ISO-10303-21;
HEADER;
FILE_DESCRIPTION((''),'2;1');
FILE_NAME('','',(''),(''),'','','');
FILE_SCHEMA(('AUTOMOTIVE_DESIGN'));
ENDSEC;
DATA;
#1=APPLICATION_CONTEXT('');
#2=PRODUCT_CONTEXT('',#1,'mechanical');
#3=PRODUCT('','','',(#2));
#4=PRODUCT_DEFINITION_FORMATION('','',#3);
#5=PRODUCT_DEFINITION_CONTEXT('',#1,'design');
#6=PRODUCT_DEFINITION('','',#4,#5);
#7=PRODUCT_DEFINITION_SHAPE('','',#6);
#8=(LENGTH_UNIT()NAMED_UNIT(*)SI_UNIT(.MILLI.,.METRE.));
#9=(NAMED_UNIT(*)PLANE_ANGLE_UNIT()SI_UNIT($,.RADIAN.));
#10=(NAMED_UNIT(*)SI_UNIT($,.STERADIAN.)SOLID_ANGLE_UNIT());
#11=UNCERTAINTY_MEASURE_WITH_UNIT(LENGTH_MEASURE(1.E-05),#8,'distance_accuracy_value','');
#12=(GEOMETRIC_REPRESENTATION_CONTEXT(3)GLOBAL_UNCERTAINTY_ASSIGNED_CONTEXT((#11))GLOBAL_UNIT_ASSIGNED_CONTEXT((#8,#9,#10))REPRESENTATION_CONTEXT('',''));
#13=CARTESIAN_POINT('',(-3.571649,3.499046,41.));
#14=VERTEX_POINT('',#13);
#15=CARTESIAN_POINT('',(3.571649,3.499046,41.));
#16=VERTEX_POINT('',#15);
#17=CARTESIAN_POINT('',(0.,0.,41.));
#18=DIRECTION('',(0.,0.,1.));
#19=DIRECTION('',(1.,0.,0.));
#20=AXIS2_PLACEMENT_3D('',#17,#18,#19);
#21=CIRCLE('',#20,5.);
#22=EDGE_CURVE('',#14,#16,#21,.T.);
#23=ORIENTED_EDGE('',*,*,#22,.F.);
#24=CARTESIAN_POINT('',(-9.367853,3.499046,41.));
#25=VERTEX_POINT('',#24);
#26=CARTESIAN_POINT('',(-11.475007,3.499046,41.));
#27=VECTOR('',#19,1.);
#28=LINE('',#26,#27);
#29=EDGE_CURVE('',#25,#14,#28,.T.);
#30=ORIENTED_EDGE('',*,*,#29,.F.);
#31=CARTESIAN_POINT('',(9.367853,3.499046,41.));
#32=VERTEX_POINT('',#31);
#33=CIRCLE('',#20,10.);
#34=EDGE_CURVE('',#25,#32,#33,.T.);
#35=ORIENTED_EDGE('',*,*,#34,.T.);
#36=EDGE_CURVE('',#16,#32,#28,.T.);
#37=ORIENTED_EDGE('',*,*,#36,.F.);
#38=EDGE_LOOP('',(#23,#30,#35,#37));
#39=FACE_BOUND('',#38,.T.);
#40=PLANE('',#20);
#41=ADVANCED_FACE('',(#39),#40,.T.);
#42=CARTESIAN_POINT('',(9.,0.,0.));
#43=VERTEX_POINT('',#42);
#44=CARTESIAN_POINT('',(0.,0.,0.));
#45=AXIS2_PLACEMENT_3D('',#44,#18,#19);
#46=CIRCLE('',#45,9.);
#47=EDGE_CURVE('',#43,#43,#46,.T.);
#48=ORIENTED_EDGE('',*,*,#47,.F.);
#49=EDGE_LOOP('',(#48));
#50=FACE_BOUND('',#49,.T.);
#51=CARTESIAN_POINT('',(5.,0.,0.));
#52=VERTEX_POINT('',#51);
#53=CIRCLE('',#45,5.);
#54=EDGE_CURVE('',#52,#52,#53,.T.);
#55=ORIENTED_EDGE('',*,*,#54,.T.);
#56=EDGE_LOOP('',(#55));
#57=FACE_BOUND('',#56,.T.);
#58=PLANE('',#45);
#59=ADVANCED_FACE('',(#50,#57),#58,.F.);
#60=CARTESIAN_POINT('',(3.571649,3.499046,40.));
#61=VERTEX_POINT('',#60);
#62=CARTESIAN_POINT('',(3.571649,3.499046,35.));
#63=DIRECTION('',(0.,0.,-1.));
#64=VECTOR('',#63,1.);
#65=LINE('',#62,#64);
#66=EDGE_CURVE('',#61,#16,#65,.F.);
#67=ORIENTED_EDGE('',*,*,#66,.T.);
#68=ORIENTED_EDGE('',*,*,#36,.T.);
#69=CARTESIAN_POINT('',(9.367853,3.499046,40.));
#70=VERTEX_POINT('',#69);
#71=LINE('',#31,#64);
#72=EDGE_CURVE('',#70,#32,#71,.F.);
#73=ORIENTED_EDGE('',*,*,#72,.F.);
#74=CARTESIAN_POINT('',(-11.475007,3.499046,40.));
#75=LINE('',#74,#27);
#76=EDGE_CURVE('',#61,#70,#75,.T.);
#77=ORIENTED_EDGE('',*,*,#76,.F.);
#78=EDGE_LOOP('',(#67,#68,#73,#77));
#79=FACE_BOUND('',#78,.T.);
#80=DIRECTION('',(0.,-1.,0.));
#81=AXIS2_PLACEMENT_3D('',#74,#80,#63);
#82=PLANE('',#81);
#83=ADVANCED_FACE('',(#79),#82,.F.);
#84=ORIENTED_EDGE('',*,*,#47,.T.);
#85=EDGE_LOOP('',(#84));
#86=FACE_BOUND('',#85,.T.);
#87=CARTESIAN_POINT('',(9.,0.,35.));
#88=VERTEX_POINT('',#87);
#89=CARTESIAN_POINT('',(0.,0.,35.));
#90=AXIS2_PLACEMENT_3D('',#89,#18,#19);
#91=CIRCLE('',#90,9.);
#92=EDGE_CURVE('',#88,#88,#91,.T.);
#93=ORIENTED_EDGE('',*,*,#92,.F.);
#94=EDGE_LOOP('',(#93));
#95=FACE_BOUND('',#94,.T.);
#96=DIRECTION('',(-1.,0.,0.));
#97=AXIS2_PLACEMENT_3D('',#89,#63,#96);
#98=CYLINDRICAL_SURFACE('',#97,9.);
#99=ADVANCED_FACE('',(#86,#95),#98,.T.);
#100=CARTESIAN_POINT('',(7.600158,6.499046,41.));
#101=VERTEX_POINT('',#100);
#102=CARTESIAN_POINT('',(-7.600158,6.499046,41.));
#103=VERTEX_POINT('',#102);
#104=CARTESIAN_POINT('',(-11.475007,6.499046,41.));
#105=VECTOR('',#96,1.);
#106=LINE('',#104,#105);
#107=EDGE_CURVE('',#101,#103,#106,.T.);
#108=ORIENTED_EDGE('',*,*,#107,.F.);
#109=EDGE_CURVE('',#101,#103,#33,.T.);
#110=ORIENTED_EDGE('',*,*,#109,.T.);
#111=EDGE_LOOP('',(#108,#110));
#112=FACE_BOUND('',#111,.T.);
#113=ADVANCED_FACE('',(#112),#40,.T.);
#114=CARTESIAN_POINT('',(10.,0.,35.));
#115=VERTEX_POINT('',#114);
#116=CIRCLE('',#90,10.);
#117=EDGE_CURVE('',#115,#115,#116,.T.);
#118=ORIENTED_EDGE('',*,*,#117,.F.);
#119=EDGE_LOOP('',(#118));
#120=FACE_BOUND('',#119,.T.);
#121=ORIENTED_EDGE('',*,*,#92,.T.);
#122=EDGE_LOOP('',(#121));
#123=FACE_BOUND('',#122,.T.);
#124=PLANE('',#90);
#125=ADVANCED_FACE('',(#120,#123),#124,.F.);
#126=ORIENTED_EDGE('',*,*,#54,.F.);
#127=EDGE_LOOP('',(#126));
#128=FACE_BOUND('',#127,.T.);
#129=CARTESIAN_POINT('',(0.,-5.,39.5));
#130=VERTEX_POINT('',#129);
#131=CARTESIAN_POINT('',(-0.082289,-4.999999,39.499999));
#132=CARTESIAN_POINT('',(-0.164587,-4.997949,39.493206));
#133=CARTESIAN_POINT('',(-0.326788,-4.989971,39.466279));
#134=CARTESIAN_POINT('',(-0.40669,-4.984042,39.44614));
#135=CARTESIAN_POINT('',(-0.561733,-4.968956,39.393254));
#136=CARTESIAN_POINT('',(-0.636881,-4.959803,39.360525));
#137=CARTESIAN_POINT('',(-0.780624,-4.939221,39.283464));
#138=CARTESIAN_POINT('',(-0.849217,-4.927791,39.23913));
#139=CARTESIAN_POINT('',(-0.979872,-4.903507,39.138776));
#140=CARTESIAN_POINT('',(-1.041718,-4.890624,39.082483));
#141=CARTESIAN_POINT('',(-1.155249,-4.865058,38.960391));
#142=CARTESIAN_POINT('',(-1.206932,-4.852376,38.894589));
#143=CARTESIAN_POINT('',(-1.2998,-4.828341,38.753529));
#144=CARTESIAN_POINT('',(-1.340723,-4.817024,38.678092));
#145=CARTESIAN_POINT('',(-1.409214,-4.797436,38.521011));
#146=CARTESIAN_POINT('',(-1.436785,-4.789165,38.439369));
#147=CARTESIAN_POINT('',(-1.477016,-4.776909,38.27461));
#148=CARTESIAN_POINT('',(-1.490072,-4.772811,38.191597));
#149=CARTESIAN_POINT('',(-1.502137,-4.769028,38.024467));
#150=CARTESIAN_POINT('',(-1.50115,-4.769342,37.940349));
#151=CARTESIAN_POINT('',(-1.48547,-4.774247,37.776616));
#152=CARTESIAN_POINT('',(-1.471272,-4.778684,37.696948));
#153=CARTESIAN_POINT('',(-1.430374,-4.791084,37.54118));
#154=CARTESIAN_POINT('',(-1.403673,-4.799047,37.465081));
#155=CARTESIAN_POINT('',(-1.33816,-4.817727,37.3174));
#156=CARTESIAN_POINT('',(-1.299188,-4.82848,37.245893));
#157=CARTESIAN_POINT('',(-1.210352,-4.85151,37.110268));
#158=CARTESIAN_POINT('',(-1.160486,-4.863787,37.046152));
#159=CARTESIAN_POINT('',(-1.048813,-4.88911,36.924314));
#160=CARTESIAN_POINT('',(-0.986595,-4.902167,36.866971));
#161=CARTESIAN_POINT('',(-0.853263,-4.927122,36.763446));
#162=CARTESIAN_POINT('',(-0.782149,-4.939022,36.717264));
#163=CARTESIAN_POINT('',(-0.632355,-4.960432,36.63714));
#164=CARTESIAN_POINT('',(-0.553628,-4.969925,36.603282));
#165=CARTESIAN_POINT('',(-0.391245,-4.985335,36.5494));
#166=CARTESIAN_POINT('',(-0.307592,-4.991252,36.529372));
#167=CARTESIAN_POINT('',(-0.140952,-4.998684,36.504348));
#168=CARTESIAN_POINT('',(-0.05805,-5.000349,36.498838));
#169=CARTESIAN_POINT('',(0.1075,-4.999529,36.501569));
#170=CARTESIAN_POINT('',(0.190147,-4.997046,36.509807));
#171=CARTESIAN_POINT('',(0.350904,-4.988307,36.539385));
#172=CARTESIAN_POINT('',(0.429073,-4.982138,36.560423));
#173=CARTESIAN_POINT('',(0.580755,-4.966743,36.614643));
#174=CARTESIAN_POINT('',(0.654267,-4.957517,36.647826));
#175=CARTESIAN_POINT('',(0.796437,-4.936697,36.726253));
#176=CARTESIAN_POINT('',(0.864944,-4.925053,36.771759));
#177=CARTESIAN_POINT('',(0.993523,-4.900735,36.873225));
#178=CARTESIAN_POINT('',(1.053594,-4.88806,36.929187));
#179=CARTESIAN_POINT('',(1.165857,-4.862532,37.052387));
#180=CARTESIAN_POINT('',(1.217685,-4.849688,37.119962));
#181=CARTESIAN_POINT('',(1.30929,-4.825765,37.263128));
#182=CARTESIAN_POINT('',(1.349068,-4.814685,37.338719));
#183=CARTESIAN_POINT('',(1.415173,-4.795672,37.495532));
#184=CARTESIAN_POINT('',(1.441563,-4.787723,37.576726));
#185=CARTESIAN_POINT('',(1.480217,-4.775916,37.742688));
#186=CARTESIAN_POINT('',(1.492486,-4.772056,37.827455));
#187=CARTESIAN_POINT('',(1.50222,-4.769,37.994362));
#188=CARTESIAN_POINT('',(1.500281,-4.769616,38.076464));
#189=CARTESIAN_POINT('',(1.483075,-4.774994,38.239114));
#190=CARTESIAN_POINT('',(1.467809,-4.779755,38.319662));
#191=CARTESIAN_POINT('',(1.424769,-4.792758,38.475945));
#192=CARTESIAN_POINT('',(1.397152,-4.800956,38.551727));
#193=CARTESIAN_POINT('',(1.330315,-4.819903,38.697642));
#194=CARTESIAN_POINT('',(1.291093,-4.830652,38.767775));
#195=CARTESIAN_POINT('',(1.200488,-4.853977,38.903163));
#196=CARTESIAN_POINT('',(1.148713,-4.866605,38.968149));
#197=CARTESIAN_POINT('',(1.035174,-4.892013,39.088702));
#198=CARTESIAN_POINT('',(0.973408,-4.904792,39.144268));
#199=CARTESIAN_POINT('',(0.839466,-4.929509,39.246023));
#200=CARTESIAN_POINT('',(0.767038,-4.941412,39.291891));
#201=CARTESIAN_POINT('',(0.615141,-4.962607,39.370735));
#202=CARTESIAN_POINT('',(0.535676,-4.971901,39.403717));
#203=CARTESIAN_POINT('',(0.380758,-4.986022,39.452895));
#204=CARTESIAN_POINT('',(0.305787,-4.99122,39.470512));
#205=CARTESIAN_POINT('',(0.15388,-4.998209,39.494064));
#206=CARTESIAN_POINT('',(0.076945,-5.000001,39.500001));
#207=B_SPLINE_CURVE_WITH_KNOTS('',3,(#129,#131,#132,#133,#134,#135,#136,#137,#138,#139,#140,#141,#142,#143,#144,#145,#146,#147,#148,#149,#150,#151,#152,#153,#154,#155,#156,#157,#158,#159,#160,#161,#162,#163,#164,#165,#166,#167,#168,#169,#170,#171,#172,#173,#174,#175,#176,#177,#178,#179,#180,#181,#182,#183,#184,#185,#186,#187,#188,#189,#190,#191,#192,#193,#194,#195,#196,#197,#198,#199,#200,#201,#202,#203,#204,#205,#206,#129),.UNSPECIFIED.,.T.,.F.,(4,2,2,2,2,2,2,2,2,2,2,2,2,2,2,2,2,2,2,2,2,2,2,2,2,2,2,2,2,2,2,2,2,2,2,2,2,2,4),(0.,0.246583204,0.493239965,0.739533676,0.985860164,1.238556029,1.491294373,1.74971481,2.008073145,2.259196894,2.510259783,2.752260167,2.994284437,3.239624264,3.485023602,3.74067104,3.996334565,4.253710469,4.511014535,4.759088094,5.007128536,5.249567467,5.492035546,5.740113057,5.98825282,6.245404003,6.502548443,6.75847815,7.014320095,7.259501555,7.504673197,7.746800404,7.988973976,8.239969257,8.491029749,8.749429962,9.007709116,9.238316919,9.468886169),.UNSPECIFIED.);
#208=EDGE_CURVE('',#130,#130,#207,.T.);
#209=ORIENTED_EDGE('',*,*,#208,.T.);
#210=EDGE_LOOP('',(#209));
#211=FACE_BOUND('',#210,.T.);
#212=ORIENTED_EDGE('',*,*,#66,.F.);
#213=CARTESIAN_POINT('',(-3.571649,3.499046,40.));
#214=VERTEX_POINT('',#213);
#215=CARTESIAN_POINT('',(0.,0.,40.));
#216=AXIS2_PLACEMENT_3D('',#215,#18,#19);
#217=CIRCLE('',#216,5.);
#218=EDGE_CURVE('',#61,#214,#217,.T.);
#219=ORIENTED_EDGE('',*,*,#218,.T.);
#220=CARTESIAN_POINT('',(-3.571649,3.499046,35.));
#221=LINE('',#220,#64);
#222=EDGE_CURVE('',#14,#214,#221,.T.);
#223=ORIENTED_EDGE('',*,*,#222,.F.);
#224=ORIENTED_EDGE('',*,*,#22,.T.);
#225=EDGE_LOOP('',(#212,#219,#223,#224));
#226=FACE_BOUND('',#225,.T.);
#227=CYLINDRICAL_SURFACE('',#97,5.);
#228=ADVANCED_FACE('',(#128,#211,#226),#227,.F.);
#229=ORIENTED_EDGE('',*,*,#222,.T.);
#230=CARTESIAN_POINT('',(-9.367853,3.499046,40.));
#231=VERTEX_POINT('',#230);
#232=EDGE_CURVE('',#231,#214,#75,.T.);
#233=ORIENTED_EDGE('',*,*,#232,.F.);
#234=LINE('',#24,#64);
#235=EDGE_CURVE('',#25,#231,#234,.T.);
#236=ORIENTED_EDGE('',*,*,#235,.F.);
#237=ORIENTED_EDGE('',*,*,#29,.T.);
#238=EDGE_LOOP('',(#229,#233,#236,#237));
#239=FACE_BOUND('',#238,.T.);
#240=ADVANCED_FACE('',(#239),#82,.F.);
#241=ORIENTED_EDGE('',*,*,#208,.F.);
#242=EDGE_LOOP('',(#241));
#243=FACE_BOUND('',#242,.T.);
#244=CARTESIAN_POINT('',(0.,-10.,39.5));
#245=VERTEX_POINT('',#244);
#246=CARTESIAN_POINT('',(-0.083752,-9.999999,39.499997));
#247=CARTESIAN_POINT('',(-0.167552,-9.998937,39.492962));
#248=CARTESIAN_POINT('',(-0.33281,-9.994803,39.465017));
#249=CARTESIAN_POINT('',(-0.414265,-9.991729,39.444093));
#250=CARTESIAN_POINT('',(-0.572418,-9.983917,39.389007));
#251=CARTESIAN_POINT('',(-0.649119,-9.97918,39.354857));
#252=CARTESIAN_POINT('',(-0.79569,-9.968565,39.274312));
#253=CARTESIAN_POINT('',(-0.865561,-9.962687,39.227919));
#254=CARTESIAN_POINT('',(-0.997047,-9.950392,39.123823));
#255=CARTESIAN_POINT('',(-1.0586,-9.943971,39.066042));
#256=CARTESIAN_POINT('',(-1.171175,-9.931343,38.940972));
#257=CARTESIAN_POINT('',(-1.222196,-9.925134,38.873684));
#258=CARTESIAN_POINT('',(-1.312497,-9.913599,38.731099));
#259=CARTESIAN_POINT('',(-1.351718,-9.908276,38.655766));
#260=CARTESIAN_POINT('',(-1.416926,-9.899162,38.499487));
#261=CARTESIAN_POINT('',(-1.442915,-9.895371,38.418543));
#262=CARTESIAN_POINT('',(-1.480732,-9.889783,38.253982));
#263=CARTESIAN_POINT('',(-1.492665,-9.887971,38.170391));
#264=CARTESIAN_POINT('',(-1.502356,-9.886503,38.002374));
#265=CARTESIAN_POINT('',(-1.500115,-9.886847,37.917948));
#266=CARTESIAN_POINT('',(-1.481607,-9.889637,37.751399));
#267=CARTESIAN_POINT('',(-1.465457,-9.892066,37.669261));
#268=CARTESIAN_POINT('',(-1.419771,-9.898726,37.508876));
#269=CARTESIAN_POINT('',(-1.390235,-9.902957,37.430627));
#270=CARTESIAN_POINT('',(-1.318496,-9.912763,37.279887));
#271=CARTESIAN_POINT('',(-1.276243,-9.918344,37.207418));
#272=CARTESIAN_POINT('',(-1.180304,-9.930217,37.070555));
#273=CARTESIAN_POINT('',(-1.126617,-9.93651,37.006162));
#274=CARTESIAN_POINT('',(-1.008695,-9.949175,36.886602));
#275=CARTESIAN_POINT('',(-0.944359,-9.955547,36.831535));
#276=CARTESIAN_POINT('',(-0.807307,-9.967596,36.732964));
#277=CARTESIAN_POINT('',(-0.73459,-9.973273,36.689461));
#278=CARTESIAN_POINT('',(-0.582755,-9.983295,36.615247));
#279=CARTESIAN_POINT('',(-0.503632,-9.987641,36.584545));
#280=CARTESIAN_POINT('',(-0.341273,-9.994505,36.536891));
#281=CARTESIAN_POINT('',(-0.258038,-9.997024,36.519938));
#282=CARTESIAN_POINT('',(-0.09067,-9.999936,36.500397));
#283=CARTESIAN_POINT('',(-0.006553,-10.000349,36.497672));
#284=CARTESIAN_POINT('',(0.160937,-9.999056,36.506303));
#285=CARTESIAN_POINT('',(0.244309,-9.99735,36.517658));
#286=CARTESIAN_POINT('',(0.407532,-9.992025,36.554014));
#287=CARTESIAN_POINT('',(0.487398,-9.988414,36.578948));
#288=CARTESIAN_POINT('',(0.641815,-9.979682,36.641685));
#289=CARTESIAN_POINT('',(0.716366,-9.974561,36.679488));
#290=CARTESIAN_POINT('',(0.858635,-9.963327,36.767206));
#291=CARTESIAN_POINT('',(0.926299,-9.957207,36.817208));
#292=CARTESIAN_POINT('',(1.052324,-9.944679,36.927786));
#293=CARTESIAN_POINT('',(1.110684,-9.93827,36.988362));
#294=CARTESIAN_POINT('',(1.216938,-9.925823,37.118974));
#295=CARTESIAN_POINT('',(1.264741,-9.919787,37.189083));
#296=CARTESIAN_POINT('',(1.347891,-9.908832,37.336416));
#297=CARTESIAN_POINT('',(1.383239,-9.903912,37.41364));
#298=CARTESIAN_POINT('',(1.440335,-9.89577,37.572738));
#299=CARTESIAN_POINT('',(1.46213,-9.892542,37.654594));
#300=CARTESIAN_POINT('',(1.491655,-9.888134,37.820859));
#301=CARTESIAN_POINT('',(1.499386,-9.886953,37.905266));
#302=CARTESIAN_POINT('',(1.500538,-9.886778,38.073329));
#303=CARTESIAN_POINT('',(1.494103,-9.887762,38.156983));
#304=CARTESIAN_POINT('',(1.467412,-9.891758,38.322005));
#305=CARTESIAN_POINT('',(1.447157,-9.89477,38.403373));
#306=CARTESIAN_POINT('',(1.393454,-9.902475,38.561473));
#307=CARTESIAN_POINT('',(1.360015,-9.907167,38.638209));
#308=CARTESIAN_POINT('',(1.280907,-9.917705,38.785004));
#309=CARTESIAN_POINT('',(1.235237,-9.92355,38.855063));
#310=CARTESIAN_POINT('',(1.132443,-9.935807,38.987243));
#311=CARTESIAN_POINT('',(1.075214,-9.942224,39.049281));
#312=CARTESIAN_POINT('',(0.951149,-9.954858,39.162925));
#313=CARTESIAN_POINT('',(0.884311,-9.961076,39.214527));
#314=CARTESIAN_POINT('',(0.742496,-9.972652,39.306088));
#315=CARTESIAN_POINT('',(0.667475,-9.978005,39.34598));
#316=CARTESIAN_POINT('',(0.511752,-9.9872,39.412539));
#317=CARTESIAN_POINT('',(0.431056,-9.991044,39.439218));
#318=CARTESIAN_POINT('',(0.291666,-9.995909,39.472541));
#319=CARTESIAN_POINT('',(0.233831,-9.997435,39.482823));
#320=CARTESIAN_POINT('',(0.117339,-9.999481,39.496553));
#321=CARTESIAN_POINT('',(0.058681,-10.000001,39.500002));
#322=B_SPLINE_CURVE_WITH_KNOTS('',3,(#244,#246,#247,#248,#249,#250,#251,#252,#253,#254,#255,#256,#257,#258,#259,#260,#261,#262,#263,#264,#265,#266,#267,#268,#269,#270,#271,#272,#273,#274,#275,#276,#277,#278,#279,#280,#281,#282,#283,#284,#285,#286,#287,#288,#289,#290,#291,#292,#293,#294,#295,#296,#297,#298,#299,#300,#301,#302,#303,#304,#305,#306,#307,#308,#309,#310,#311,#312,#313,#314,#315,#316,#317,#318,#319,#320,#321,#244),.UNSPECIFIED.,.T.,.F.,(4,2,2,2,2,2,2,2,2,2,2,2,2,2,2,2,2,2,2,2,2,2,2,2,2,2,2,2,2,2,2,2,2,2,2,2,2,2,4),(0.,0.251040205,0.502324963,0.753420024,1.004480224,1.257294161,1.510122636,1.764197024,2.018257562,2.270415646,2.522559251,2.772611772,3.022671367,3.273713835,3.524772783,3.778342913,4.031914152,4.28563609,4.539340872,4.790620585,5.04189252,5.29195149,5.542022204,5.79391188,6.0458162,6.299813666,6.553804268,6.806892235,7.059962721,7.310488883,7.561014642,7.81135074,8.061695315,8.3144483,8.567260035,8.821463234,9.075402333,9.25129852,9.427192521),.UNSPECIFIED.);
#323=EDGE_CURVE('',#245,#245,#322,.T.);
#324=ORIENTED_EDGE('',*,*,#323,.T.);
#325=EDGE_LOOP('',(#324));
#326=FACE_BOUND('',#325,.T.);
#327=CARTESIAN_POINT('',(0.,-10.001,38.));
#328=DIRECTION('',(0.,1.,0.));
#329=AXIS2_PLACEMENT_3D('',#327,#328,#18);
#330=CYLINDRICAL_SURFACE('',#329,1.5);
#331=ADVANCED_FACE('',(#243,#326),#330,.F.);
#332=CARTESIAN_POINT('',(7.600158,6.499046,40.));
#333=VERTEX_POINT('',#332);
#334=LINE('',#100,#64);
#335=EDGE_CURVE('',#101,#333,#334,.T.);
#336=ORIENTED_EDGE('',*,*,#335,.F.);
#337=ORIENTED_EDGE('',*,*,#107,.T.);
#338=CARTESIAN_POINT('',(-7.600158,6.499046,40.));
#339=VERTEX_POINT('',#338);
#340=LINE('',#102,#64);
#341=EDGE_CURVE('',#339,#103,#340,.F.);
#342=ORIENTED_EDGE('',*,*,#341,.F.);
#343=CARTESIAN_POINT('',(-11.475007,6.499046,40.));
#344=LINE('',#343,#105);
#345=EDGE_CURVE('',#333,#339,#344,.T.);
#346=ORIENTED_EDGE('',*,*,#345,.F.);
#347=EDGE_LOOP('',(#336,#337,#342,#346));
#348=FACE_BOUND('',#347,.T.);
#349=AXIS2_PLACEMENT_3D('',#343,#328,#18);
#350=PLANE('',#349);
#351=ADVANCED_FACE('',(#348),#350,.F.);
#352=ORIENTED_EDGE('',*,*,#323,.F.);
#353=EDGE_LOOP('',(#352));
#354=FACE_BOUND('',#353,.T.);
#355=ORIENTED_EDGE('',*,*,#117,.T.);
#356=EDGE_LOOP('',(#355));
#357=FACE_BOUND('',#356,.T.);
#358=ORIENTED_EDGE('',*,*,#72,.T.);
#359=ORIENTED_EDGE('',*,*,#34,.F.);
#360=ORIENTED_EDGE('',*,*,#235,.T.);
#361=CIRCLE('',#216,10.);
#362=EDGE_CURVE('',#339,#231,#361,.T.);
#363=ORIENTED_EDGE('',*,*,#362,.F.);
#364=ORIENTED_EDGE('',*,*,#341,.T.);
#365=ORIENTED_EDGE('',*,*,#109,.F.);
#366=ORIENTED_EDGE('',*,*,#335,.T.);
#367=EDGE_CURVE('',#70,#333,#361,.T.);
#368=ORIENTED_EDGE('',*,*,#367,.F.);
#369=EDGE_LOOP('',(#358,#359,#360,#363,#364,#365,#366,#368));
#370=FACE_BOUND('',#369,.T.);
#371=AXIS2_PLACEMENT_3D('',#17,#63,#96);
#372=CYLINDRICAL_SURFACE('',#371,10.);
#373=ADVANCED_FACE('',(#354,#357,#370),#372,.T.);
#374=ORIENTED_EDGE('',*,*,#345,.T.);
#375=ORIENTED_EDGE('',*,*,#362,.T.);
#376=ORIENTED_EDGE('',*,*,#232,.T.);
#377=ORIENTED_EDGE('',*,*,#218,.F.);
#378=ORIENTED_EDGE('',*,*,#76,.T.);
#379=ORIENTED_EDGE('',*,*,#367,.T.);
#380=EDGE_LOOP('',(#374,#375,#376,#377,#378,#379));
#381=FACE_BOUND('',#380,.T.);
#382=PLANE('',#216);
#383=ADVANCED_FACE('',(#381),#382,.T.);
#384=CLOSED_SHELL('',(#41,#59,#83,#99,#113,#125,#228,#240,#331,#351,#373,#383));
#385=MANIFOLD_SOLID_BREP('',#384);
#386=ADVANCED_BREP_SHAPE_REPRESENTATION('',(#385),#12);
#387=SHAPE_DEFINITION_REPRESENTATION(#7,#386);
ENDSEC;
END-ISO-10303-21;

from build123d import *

# Parameters (mm, degrees)
SKETCH_1_R               = 9
SKETCH_1_R_2             = 5
EXTRUDE_1_DEPTH          = 35
SKETCH_2_R               = 10
SKETCH_2_R_2             = 5
EXTRUDE_2_DEPTH          = 6
SKETCH_3_W               = 23.145336851
SKETCH_3_H               = 3
CUT_EXTRUDE_1_DEPTH      = 1
CUT_EXTRUDE_2_REACH      = 45.37
CUT_EXTRUDE_2_END_RADIUS = 10
SKETCH_4_R               = 1.5


with BuildPart() as part:
    # Эскиз1 → Бобышка-Вытянуть1 (new body)
    with BuildSketch(Plane.XY):
        Circle(SKETCH_1_R)
        Circle(SKETCH_1_R_2, mode=Mode.SUBTRACT)
    extrude(amount=EXTRUDE_1_DEPTH)

    # Эскиз2 → Бобышка-Вытянуть2 (add)
    with BuildSketch(Plane.XY.offset(35)):
        Circle(SKETCH_2_R)
        Circle(SKETCH_2_R_2, mode=Mode.SUBTRACT)
    extrude(amount=EXTRUDE_2_DEPTH)

    # Эскиз3 → Вырез-Вытянуть1 (cut)
    with BuildSketch(Plane.XY.offset(41)):
        with Locations((0.097661358, 4.999046135)):
            Rectangle(SKETCH_3_W, SKETCH_3_H)
    extrude(amount=-CUT_EXTRUDE_1_DEPTH, mode=Mode.SUBTRACT)

    # Вырез-Вытянуть2: up to this cylinder (the profile starts inside it)
    cut_extrude_2_end = Plane(origin=(0, 0, 38), z_dir=(0, 0, -1)) * Cylinder(CUT_EXTRUDE_2_END_RADIUS, 111.74, mode=Mode.PRIVATE)
    # Эскиз4 → Вырез-Вытянуть2 (cut, up to the surface)
    with BuildSketch(Plane(origin=(0, 0, 0), x_dir=(1, 0, 0), z_dir=(0, 1, 0)), mode=Mode.PRIVATE) as cut_extrude_2_sk1:
        with Locations(Location((0, -38, 0), (0, 0, 270))):
            Circle(SKETCH_4_R)
    cut_extrude_2_tool1 = extrude(cut_extrude_2_sk1.sketch, amount=-CUT_EXTRUDE_2_REACH, mode=Mode.PRIVATE) & cut_extrude_2_end
    add(cut_extrude_2_tool1.solids().sort_by_distance((0, 0, 38))[0], mode=Mode.SUBTRACT)


solid = part.part
